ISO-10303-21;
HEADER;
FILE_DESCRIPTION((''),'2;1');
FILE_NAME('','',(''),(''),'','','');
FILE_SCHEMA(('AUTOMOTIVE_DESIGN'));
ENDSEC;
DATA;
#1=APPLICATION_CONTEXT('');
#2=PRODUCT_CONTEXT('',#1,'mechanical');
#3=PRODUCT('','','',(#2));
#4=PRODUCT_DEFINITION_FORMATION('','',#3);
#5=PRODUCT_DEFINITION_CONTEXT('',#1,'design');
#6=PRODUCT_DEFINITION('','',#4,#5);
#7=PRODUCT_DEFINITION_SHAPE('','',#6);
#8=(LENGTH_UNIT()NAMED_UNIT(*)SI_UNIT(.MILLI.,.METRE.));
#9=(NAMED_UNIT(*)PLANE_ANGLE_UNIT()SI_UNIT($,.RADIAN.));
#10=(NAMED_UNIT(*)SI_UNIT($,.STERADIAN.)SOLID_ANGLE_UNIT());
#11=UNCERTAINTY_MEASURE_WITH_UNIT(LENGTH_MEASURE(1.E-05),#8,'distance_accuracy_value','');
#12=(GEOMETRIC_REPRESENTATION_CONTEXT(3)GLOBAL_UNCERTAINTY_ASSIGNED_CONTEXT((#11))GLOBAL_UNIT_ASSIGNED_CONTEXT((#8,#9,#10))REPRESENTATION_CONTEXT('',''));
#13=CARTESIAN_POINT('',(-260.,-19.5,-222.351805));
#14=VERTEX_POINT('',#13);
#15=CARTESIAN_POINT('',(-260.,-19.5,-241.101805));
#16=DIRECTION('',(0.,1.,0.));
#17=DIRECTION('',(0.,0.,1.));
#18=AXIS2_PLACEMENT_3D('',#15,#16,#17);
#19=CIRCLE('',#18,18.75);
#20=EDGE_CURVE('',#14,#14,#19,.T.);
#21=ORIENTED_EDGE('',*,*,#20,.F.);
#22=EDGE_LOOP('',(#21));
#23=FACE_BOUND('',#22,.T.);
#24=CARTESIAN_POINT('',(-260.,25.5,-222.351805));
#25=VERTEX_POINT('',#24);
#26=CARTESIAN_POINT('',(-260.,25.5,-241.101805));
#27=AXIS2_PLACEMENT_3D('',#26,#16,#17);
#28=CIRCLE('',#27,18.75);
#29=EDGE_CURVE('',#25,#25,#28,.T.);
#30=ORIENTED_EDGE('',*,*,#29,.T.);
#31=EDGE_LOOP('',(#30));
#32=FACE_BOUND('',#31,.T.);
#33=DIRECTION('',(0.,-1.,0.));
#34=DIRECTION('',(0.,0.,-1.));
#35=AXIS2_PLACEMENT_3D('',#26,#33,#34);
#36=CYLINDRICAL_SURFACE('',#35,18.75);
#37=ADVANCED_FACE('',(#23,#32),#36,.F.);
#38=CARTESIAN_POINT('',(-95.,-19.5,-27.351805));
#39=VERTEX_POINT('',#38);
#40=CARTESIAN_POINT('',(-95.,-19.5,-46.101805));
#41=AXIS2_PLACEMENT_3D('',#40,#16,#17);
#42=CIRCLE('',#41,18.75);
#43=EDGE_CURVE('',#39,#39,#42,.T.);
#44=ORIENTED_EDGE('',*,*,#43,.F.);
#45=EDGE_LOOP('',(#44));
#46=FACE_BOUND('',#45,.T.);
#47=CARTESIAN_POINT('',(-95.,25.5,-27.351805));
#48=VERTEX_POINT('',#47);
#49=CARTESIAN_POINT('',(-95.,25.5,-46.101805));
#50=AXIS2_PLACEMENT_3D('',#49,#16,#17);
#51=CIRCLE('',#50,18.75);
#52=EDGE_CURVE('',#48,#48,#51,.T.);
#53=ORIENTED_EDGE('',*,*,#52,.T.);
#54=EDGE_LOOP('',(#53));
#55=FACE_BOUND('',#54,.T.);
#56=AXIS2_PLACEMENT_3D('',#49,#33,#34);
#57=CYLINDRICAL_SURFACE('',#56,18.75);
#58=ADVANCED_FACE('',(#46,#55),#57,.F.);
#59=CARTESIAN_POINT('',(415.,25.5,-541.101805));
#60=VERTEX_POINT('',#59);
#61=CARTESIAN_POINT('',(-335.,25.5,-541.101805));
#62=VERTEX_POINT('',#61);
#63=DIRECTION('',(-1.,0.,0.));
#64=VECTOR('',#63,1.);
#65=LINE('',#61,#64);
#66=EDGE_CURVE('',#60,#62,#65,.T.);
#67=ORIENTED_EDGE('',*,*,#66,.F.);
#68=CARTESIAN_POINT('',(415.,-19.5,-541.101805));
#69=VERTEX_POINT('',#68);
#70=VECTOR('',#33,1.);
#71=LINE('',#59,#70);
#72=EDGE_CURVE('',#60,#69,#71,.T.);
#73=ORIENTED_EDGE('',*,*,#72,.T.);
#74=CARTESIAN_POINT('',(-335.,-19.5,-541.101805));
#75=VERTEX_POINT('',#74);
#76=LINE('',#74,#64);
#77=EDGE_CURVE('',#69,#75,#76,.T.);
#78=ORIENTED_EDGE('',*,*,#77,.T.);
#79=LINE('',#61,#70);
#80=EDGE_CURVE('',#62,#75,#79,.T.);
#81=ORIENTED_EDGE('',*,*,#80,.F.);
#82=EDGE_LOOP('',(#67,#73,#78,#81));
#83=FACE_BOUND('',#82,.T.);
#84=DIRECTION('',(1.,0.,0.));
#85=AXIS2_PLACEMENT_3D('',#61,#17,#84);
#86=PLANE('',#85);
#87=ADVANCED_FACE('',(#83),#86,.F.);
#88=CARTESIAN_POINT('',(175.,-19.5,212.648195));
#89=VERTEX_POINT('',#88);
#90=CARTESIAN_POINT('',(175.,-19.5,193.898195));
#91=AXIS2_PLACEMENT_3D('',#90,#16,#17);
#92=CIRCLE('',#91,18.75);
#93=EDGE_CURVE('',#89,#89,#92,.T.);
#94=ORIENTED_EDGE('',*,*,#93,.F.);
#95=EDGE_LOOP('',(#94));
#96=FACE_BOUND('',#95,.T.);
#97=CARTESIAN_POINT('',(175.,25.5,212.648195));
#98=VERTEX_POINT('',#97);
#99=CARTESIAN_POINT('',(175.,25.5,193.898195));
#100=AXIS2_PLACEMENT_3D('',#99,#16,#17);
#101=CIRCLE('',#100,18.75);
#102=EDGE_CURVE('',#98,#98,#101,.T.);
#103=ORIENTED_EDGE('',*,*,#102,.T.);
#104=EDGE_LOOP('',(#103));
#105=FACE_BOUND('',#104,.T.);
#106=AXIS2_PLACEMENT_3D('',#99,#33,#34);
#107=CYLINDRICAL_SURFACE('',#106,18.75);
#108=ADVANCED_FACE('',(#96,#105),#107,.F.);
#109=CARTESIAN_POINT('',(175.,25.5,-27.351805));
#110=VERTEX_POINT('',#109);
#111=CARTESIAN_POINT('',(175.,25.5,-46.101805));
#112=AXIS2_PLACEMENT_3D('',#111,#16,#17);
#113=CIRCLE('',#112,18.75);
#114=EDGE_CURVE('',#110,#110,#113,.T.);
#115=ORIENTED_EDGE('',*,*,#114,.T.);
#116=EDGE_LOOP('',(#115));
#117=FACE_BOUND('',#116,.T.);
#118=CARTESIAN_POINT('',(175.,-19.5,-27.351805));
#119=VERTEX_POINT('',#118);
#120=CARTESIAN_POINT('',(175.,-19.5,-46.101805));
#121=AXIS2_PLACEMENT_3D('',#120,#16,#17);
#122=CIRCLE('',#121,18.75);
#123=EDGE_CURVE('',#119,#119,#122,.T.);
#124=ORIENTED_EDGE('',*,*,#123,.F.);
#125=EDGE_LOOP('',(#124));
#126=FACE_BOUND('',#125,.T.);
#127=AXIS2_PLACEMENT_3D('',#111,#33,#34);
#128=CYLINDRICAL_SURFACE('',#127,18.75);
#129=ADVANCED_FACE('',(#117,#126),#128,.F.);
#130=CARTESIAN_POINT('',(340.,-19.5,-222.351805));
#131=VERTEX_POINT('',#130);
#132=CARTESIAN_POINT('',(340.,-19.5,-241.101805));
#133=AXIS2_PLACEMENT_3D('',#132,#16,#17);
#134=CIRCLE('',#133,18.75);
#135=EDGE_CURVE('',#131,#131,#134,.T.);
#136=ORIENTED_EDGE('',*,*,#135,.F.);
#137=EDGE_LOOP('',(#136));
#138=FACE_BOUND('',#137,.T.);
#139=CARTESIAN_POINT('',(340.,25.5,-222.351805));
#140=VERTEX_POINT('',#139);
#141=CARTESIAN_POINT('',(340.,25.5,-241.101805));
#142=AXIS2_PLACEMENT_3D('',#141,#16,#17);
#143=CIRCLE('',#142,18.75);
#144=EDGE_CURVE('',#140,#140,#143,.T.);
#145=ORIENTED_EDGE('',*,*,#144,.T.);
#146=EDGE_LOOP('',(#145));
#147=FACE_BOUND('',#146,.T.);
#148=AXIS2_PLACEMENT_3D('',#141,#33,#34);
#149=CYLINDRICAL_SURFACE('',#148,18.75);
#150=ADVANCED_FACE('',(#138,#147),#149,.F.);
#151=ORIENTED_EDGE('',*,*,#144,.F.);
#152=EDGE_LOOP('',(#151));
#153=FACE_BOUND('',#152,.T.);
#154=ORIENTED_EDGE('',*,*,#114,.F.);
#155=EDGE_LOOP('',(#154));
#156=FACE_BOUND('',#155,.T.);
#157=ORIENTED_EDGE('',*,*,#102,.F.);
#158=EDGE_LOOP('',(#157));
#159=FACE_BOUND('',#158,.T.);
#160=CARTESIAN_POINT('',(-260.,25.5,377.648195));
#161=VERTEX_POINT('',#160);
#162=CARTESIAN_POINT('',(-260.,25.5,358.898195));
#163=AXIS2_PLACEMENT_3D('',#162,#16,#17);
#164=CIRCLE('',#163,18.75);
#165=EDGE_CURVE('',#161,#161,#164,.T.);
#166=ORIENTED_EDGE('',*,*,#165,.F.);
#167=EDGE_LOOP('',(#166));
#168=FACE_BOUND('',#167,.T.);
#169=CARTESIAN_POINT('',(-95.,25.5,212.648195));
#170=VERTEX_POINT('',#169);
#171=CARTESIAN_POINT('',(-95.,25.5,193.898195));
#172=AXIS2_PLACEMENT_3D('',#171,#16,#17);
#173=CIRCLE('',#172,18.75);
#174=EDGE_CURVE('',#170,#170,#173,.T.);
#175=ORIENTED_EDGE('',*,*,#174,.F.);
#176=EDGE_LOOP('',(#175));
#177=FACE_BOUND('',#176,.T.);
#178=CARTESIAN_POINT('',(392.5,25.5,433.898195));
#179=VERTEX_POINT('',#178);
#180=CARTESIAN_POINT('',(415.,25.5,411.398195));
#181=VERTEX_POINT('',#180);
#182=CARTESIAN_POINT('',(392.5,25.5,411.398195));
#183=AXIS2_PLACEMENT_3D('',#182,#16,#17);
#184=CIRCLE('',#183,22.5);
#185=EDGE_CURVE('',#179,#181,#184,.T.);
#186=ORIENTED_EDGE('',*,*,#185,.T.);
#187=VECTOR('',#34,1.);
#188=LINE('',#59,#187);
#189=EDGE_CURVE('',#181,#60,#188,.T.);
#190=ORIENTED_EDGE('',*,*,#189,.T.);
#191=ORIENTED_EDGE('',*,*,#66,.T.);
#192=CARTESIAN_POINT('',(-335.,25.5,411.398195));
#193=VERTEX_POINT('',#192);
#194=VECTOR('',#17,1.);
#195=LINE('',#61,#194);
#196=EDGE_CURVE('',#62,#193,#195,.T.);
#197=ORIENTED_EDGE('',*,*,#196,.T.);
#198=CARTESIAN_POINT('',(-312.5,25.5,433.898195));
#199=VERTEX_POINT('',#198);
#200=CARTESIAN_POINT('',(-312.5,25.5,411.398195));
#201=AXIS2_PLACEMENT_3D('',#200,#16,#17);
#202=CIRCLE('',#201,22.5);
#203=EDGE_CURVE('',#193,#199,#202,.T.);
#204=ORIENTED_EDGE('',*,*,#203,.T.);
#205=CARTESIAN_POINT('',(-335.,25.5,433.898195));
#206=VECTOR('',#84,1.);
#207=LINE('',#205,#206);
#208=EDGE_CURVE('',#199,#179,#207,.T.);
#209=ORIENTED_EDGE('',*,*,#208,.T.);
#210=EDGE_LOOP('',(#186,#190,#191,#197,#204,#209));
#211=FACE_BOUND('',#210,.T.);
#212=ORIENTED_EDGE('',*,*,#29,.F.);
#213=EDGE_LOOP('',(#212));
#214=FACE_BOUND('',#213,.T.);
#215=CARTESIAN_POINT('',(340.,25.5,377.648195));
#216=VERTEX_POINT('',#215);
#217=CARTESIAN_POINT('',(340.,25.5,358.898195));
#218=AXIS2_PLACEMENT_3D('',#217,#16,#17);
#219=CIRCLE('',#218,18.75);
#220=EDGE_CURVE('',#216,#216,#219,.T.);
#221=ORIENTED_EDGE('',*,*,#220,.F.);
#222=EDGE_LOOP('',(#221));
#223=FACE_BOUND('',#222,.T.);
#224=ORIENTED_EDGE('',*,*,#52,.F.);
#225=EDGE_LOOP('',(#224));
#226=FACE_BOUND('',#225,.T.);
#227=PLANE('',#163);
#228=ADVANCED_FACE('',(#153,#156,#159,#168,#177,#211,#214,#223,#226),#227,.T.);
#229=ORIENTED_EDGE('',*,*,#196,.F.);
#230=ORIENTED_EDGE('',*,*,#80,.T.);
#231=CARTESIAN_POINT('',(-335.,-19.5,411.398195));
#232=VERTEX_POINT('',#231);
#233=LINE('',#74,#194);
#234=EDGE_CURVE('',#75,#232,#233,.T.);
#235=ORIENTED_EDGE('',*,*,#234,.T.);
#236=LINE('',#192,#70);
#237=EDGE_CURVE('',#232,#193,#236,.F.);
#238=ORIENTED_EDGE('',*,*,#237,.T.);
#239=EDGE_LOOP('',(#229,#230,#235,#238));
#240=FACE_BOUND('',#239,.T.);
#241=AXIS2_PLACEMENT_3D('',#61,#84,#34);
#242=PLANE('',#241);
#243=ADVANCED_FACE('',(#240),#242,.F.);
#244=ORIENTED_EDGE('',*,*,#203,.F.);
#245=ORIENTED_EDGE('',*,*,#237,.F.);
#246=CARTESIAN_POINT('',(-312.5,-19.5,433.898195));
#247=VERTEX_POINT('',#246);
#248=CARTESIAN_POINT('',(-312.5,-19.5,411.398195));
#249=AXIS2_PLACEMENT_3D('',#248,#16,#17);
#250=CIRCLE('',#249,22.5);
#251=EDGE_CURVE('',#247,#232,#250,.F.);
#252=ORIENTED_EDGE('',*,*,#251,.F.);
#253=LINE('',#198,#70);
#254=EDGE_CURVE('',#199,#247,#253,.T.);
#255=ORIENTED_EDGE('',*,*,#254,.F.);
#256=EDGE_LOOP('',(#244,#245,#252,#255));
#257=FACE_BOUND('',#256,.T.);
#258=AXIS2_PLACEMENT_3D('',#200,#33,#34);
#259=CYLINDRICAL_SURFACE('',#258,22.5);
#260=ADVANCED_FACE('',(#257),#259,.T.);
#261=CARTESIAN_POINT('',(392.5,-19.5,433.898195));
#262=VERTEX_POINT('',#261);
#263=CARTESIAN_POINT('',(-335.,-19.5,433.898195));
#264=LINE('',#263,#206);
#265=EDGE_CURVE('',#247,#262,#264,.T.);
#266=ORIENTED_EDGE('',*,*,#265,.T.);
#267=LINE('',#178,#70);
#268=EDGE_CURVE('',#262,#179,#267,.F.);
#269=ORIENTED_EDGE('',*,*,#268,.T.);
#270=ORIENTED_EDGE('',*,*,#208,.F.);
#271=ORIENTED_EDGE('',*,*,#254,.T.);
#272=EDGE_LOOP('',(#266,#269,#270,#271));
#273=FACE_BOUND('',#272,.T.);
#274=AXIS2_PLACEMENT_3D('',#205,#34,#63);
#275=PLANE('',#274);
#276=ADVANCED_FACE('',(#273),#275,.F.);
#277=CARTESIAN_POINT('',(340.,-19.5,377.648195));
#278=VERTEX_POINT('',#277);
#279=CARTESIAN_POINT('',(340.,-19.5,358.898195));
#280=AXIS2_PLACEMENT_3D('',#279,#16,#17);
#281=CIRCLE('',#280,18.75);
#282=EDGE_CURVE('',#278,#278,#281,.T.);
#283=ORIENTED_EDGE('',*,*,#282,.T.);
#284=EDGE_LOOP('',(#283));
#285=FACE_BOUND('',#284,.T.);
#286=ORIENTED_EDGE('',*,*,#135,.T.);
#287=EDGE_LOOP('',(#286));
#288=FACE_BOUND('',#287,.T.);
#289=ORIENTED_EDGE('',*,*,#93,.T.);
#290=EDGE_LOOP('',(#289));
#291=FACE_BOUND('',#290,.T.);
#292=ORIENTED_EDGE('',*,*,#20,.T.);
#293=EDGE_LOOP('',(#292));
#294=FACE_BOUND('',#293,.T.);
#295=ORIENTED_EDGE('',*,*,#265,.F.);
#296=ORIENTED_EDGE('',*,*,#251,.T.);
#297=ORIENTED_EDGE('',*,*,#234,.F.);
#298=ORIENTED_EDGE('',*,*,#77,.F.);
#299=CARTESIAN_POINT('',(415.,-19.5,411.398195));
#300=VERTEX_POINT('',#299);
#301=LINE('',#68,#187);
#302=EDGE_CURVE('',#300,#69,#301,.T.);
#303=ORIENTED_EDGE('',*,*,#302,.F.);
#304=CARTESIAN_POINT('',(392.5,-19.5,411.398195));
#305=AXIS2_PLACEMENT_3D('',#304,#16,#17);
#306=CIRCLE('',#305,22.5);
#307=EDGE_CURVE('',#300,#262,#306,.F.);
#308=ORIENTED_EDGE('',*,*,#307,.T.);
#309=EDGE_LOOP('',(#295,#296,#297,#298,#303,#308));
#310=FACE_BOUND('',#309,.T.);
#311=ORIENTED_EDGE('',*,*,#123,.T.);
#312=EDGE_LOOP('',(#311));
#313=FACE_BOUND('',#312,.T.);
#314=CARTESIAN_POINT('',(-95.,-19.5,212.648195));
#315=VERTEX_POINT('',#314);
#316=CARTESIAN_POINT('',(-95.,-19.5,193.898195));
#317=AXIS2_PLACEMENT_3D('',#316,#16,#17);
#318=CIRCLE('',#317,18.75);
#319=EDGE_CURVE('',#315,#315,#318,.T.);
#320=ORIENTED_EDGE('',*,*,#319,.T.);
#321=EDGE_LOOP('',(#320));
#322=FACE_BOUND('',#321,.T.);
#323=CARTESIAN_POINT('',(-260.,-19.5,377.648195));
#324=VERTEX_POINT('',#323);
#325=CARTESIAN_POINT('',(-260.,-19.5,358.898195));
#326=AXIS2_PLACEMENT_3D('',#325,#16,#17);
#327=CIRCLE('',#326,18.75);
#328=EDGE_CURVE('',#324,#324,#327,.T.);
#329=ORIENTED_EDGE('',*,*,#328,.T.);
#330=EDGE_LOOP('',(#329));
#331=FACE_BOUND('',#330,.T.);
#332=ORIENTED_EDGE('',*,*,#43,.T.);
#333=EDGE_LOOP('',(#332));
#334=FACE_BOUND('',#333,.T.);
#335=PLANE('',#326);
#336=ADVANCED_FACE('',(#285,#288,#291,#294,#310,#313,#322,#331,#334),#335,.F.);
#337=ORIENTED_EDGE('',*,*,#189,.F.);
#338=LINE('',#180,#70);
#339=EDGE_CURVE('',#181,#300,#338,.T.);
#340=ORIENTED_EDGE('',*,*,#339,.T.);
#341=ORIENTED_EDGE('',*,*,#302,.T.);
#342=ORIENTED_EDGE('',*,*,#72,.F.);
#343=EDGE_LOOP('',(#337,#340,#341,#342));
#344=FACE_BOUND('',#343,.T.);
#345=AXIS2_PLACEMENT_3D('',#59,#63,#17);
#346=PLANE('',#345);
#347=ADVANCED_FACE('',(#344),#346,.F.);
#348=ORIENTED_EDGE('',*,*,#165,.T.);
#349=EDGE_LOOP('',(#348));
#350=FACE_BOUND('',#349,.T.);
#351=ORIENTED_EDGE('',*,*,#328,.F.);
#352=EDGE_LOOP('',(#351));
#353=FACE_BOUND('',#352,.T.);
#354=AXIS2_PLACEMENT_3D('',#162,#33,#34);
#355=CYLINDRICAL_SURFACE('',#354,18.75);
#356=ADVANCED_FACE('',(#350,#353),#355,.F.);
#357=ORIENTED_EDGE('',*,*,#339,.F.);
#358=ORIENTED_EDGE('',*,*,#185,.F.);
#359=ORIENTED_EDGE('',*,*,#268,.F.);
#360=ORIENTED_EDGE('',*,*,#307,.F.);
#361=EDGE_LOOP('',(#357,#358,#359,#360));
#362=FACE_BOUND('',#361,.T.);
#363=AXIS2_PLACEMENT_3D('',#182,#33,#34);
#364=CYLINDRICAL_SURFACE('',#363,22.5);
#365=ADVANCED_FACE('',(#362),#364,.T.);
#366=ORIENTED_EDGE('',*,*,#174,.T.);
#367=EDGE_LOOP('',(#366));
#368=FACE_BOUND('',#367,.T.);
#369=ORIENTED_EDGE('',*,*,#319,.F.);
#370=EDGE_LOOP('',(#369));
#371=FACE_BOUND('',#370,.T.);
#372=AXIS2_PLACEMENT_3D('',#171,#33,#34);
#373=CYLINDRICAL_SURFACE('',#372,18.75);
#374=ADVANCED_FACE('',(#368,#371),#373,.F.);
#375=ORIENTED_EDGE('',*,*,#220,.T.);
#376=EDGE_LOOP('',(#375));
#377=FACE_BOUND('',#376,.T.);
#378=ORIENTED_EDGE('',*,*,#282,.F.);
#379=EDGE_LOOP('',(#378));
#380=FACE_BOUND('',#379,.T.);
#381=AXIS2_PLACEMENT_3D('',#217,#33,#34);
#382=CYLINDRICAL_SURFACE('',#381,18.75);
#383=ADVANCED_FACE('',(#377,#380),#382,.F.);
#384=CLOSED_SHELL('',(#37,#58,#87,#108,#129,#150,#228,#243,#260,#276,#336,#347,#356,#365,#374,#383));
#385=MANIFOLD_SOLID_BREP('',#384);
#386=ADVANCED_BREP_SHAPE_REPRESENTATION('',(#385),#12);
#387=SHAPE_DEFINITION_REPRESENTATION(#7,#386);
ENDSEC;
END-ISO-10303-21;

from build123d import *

# Parameters (mm, degrees)
SKETCH1_W           = 100
SKETCH1_H           = 130
SKETCH1_R           = 2.5
BOSS_EXTRUDE1_DEPTH = 6
FILLET1_R           = 3
SCALE1_SCALE        = 7.5


with BuildPart() as part:
    # Sketch1 → Boss-Extrude1 (new body)
    with BuildSketch(Plane(origin=(0, 0, 0), x_dir=(1, 0, 0), z_dir=(0, 1, 0))):
        with Locations((40, 55)):
            Rectangle(SKETCH1_W, SKETCH1_H)
        Circle(SKETCH1_R, mode=Mode.SUBTRACT)
        with Locations((80, 0)):
            Circle(SKETCH1_R, mode=Mode.SUBTRACT)
        with Locations((0, 80)):
            Circle(SKETCH1_R, mode=Mode.SUBTRACT)
        with Locations((80, 80)):
            Circle(SKETCH1_R, mode=Mode.SUBTRACT)
        with Locations((22, 22)):
            Circle(SKETCH1_R, mode=Mode.SUBTRACT)
        with Locations((58, 22)):
            Circle(SKETCH1_R, mode=Mode.SUBTRACT)
        with Locations((22, 54)):
            Circle(SKETCH1_R, mode=Mode.SUBTRACT)
        with Locations((58, 54)):
            Circle(SKETCH1_R, mode=Mode.SUBTRACT)
    extrude(amount=BOSS_EXTRUDE1_DEPTH)

    # Fillet1
    fillet1_edges = [part.edges().sort_by_distance(p)[0] for p in [
        (90, 3, 10),
        (-10, 3, 10),
    ]]
    fillet(fillet1_edges, radius=FILLET1_R)


with BuildPart() as part_1:
    # Scale1: scaled about (40, 3, -55.215106893)
    add(part.part.scale(SCALE1_SCALE).moved(Location((-260, -19.5, 358.898194805))))


solid = part_1.part
